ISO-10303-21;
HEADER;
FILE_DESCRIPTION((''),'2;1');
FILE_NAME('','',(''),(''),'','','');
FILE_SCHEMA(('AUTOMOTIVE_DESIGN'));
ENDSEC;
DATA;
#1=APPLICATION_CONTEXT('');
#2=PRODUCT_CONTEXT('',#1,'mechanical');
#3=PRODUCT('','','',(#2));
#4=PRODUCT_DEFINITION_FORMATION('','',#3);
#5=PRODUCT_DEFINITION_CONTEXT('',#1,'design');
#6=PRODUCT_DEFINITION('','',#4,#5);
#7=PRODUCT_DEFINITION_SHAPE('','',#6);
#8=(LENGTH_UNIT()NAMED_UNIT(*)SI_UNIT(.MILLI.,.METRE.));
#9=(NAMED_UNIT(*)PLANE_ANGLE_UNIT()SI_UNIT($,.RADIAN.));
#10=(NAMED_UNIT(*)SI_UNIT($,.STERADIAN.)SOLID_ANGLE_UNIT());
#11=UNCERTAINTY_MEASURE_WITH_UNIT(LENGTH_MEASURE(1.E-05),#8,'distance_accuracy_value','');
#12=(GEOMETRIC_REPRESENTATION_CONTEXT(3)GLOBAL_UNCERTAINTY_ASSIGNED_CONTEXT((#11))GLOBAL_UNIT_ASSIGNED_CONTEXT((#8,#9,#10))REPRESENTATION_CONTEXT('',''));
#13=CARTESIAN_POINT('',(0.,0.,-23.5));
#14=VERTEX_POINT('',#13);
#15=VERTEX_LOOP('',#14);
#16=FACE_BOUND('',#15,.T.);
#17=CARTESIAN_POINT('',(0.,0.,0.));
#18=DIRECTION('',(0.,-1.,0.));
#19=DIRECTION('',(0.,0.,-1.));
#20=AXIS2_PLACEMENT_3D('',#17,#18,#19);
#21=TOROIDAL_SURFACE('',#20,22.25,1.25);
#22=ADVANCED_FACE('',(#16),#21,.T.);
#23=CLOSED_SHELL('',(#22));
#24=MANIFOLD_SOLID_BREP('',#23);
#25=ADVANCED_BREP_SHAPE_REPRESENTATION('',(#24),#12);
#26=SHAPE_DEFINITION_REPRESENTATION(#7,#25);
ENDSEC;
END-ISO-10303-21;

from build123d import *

# Parameters (mm, degrees)
ESQUISSE1_R = 1.25


with BuildPart() as part:
    # Esquisse1 → Révolution1 (revolve)
    with BuildSketch(Plane.XY, mode=Mode.PRIVATE) as r_volution1_sk:
        with Locations((-22.25, 0)):
            Circle(ESQUISSE1_R)
    revolve(r_volution1_sk.sketch.rotate(Axis((0, 0, 0), (0, 1, 0)), 270), axis=Axis((0, 0, 0), (0, 1, 0)))


solid = part.part
